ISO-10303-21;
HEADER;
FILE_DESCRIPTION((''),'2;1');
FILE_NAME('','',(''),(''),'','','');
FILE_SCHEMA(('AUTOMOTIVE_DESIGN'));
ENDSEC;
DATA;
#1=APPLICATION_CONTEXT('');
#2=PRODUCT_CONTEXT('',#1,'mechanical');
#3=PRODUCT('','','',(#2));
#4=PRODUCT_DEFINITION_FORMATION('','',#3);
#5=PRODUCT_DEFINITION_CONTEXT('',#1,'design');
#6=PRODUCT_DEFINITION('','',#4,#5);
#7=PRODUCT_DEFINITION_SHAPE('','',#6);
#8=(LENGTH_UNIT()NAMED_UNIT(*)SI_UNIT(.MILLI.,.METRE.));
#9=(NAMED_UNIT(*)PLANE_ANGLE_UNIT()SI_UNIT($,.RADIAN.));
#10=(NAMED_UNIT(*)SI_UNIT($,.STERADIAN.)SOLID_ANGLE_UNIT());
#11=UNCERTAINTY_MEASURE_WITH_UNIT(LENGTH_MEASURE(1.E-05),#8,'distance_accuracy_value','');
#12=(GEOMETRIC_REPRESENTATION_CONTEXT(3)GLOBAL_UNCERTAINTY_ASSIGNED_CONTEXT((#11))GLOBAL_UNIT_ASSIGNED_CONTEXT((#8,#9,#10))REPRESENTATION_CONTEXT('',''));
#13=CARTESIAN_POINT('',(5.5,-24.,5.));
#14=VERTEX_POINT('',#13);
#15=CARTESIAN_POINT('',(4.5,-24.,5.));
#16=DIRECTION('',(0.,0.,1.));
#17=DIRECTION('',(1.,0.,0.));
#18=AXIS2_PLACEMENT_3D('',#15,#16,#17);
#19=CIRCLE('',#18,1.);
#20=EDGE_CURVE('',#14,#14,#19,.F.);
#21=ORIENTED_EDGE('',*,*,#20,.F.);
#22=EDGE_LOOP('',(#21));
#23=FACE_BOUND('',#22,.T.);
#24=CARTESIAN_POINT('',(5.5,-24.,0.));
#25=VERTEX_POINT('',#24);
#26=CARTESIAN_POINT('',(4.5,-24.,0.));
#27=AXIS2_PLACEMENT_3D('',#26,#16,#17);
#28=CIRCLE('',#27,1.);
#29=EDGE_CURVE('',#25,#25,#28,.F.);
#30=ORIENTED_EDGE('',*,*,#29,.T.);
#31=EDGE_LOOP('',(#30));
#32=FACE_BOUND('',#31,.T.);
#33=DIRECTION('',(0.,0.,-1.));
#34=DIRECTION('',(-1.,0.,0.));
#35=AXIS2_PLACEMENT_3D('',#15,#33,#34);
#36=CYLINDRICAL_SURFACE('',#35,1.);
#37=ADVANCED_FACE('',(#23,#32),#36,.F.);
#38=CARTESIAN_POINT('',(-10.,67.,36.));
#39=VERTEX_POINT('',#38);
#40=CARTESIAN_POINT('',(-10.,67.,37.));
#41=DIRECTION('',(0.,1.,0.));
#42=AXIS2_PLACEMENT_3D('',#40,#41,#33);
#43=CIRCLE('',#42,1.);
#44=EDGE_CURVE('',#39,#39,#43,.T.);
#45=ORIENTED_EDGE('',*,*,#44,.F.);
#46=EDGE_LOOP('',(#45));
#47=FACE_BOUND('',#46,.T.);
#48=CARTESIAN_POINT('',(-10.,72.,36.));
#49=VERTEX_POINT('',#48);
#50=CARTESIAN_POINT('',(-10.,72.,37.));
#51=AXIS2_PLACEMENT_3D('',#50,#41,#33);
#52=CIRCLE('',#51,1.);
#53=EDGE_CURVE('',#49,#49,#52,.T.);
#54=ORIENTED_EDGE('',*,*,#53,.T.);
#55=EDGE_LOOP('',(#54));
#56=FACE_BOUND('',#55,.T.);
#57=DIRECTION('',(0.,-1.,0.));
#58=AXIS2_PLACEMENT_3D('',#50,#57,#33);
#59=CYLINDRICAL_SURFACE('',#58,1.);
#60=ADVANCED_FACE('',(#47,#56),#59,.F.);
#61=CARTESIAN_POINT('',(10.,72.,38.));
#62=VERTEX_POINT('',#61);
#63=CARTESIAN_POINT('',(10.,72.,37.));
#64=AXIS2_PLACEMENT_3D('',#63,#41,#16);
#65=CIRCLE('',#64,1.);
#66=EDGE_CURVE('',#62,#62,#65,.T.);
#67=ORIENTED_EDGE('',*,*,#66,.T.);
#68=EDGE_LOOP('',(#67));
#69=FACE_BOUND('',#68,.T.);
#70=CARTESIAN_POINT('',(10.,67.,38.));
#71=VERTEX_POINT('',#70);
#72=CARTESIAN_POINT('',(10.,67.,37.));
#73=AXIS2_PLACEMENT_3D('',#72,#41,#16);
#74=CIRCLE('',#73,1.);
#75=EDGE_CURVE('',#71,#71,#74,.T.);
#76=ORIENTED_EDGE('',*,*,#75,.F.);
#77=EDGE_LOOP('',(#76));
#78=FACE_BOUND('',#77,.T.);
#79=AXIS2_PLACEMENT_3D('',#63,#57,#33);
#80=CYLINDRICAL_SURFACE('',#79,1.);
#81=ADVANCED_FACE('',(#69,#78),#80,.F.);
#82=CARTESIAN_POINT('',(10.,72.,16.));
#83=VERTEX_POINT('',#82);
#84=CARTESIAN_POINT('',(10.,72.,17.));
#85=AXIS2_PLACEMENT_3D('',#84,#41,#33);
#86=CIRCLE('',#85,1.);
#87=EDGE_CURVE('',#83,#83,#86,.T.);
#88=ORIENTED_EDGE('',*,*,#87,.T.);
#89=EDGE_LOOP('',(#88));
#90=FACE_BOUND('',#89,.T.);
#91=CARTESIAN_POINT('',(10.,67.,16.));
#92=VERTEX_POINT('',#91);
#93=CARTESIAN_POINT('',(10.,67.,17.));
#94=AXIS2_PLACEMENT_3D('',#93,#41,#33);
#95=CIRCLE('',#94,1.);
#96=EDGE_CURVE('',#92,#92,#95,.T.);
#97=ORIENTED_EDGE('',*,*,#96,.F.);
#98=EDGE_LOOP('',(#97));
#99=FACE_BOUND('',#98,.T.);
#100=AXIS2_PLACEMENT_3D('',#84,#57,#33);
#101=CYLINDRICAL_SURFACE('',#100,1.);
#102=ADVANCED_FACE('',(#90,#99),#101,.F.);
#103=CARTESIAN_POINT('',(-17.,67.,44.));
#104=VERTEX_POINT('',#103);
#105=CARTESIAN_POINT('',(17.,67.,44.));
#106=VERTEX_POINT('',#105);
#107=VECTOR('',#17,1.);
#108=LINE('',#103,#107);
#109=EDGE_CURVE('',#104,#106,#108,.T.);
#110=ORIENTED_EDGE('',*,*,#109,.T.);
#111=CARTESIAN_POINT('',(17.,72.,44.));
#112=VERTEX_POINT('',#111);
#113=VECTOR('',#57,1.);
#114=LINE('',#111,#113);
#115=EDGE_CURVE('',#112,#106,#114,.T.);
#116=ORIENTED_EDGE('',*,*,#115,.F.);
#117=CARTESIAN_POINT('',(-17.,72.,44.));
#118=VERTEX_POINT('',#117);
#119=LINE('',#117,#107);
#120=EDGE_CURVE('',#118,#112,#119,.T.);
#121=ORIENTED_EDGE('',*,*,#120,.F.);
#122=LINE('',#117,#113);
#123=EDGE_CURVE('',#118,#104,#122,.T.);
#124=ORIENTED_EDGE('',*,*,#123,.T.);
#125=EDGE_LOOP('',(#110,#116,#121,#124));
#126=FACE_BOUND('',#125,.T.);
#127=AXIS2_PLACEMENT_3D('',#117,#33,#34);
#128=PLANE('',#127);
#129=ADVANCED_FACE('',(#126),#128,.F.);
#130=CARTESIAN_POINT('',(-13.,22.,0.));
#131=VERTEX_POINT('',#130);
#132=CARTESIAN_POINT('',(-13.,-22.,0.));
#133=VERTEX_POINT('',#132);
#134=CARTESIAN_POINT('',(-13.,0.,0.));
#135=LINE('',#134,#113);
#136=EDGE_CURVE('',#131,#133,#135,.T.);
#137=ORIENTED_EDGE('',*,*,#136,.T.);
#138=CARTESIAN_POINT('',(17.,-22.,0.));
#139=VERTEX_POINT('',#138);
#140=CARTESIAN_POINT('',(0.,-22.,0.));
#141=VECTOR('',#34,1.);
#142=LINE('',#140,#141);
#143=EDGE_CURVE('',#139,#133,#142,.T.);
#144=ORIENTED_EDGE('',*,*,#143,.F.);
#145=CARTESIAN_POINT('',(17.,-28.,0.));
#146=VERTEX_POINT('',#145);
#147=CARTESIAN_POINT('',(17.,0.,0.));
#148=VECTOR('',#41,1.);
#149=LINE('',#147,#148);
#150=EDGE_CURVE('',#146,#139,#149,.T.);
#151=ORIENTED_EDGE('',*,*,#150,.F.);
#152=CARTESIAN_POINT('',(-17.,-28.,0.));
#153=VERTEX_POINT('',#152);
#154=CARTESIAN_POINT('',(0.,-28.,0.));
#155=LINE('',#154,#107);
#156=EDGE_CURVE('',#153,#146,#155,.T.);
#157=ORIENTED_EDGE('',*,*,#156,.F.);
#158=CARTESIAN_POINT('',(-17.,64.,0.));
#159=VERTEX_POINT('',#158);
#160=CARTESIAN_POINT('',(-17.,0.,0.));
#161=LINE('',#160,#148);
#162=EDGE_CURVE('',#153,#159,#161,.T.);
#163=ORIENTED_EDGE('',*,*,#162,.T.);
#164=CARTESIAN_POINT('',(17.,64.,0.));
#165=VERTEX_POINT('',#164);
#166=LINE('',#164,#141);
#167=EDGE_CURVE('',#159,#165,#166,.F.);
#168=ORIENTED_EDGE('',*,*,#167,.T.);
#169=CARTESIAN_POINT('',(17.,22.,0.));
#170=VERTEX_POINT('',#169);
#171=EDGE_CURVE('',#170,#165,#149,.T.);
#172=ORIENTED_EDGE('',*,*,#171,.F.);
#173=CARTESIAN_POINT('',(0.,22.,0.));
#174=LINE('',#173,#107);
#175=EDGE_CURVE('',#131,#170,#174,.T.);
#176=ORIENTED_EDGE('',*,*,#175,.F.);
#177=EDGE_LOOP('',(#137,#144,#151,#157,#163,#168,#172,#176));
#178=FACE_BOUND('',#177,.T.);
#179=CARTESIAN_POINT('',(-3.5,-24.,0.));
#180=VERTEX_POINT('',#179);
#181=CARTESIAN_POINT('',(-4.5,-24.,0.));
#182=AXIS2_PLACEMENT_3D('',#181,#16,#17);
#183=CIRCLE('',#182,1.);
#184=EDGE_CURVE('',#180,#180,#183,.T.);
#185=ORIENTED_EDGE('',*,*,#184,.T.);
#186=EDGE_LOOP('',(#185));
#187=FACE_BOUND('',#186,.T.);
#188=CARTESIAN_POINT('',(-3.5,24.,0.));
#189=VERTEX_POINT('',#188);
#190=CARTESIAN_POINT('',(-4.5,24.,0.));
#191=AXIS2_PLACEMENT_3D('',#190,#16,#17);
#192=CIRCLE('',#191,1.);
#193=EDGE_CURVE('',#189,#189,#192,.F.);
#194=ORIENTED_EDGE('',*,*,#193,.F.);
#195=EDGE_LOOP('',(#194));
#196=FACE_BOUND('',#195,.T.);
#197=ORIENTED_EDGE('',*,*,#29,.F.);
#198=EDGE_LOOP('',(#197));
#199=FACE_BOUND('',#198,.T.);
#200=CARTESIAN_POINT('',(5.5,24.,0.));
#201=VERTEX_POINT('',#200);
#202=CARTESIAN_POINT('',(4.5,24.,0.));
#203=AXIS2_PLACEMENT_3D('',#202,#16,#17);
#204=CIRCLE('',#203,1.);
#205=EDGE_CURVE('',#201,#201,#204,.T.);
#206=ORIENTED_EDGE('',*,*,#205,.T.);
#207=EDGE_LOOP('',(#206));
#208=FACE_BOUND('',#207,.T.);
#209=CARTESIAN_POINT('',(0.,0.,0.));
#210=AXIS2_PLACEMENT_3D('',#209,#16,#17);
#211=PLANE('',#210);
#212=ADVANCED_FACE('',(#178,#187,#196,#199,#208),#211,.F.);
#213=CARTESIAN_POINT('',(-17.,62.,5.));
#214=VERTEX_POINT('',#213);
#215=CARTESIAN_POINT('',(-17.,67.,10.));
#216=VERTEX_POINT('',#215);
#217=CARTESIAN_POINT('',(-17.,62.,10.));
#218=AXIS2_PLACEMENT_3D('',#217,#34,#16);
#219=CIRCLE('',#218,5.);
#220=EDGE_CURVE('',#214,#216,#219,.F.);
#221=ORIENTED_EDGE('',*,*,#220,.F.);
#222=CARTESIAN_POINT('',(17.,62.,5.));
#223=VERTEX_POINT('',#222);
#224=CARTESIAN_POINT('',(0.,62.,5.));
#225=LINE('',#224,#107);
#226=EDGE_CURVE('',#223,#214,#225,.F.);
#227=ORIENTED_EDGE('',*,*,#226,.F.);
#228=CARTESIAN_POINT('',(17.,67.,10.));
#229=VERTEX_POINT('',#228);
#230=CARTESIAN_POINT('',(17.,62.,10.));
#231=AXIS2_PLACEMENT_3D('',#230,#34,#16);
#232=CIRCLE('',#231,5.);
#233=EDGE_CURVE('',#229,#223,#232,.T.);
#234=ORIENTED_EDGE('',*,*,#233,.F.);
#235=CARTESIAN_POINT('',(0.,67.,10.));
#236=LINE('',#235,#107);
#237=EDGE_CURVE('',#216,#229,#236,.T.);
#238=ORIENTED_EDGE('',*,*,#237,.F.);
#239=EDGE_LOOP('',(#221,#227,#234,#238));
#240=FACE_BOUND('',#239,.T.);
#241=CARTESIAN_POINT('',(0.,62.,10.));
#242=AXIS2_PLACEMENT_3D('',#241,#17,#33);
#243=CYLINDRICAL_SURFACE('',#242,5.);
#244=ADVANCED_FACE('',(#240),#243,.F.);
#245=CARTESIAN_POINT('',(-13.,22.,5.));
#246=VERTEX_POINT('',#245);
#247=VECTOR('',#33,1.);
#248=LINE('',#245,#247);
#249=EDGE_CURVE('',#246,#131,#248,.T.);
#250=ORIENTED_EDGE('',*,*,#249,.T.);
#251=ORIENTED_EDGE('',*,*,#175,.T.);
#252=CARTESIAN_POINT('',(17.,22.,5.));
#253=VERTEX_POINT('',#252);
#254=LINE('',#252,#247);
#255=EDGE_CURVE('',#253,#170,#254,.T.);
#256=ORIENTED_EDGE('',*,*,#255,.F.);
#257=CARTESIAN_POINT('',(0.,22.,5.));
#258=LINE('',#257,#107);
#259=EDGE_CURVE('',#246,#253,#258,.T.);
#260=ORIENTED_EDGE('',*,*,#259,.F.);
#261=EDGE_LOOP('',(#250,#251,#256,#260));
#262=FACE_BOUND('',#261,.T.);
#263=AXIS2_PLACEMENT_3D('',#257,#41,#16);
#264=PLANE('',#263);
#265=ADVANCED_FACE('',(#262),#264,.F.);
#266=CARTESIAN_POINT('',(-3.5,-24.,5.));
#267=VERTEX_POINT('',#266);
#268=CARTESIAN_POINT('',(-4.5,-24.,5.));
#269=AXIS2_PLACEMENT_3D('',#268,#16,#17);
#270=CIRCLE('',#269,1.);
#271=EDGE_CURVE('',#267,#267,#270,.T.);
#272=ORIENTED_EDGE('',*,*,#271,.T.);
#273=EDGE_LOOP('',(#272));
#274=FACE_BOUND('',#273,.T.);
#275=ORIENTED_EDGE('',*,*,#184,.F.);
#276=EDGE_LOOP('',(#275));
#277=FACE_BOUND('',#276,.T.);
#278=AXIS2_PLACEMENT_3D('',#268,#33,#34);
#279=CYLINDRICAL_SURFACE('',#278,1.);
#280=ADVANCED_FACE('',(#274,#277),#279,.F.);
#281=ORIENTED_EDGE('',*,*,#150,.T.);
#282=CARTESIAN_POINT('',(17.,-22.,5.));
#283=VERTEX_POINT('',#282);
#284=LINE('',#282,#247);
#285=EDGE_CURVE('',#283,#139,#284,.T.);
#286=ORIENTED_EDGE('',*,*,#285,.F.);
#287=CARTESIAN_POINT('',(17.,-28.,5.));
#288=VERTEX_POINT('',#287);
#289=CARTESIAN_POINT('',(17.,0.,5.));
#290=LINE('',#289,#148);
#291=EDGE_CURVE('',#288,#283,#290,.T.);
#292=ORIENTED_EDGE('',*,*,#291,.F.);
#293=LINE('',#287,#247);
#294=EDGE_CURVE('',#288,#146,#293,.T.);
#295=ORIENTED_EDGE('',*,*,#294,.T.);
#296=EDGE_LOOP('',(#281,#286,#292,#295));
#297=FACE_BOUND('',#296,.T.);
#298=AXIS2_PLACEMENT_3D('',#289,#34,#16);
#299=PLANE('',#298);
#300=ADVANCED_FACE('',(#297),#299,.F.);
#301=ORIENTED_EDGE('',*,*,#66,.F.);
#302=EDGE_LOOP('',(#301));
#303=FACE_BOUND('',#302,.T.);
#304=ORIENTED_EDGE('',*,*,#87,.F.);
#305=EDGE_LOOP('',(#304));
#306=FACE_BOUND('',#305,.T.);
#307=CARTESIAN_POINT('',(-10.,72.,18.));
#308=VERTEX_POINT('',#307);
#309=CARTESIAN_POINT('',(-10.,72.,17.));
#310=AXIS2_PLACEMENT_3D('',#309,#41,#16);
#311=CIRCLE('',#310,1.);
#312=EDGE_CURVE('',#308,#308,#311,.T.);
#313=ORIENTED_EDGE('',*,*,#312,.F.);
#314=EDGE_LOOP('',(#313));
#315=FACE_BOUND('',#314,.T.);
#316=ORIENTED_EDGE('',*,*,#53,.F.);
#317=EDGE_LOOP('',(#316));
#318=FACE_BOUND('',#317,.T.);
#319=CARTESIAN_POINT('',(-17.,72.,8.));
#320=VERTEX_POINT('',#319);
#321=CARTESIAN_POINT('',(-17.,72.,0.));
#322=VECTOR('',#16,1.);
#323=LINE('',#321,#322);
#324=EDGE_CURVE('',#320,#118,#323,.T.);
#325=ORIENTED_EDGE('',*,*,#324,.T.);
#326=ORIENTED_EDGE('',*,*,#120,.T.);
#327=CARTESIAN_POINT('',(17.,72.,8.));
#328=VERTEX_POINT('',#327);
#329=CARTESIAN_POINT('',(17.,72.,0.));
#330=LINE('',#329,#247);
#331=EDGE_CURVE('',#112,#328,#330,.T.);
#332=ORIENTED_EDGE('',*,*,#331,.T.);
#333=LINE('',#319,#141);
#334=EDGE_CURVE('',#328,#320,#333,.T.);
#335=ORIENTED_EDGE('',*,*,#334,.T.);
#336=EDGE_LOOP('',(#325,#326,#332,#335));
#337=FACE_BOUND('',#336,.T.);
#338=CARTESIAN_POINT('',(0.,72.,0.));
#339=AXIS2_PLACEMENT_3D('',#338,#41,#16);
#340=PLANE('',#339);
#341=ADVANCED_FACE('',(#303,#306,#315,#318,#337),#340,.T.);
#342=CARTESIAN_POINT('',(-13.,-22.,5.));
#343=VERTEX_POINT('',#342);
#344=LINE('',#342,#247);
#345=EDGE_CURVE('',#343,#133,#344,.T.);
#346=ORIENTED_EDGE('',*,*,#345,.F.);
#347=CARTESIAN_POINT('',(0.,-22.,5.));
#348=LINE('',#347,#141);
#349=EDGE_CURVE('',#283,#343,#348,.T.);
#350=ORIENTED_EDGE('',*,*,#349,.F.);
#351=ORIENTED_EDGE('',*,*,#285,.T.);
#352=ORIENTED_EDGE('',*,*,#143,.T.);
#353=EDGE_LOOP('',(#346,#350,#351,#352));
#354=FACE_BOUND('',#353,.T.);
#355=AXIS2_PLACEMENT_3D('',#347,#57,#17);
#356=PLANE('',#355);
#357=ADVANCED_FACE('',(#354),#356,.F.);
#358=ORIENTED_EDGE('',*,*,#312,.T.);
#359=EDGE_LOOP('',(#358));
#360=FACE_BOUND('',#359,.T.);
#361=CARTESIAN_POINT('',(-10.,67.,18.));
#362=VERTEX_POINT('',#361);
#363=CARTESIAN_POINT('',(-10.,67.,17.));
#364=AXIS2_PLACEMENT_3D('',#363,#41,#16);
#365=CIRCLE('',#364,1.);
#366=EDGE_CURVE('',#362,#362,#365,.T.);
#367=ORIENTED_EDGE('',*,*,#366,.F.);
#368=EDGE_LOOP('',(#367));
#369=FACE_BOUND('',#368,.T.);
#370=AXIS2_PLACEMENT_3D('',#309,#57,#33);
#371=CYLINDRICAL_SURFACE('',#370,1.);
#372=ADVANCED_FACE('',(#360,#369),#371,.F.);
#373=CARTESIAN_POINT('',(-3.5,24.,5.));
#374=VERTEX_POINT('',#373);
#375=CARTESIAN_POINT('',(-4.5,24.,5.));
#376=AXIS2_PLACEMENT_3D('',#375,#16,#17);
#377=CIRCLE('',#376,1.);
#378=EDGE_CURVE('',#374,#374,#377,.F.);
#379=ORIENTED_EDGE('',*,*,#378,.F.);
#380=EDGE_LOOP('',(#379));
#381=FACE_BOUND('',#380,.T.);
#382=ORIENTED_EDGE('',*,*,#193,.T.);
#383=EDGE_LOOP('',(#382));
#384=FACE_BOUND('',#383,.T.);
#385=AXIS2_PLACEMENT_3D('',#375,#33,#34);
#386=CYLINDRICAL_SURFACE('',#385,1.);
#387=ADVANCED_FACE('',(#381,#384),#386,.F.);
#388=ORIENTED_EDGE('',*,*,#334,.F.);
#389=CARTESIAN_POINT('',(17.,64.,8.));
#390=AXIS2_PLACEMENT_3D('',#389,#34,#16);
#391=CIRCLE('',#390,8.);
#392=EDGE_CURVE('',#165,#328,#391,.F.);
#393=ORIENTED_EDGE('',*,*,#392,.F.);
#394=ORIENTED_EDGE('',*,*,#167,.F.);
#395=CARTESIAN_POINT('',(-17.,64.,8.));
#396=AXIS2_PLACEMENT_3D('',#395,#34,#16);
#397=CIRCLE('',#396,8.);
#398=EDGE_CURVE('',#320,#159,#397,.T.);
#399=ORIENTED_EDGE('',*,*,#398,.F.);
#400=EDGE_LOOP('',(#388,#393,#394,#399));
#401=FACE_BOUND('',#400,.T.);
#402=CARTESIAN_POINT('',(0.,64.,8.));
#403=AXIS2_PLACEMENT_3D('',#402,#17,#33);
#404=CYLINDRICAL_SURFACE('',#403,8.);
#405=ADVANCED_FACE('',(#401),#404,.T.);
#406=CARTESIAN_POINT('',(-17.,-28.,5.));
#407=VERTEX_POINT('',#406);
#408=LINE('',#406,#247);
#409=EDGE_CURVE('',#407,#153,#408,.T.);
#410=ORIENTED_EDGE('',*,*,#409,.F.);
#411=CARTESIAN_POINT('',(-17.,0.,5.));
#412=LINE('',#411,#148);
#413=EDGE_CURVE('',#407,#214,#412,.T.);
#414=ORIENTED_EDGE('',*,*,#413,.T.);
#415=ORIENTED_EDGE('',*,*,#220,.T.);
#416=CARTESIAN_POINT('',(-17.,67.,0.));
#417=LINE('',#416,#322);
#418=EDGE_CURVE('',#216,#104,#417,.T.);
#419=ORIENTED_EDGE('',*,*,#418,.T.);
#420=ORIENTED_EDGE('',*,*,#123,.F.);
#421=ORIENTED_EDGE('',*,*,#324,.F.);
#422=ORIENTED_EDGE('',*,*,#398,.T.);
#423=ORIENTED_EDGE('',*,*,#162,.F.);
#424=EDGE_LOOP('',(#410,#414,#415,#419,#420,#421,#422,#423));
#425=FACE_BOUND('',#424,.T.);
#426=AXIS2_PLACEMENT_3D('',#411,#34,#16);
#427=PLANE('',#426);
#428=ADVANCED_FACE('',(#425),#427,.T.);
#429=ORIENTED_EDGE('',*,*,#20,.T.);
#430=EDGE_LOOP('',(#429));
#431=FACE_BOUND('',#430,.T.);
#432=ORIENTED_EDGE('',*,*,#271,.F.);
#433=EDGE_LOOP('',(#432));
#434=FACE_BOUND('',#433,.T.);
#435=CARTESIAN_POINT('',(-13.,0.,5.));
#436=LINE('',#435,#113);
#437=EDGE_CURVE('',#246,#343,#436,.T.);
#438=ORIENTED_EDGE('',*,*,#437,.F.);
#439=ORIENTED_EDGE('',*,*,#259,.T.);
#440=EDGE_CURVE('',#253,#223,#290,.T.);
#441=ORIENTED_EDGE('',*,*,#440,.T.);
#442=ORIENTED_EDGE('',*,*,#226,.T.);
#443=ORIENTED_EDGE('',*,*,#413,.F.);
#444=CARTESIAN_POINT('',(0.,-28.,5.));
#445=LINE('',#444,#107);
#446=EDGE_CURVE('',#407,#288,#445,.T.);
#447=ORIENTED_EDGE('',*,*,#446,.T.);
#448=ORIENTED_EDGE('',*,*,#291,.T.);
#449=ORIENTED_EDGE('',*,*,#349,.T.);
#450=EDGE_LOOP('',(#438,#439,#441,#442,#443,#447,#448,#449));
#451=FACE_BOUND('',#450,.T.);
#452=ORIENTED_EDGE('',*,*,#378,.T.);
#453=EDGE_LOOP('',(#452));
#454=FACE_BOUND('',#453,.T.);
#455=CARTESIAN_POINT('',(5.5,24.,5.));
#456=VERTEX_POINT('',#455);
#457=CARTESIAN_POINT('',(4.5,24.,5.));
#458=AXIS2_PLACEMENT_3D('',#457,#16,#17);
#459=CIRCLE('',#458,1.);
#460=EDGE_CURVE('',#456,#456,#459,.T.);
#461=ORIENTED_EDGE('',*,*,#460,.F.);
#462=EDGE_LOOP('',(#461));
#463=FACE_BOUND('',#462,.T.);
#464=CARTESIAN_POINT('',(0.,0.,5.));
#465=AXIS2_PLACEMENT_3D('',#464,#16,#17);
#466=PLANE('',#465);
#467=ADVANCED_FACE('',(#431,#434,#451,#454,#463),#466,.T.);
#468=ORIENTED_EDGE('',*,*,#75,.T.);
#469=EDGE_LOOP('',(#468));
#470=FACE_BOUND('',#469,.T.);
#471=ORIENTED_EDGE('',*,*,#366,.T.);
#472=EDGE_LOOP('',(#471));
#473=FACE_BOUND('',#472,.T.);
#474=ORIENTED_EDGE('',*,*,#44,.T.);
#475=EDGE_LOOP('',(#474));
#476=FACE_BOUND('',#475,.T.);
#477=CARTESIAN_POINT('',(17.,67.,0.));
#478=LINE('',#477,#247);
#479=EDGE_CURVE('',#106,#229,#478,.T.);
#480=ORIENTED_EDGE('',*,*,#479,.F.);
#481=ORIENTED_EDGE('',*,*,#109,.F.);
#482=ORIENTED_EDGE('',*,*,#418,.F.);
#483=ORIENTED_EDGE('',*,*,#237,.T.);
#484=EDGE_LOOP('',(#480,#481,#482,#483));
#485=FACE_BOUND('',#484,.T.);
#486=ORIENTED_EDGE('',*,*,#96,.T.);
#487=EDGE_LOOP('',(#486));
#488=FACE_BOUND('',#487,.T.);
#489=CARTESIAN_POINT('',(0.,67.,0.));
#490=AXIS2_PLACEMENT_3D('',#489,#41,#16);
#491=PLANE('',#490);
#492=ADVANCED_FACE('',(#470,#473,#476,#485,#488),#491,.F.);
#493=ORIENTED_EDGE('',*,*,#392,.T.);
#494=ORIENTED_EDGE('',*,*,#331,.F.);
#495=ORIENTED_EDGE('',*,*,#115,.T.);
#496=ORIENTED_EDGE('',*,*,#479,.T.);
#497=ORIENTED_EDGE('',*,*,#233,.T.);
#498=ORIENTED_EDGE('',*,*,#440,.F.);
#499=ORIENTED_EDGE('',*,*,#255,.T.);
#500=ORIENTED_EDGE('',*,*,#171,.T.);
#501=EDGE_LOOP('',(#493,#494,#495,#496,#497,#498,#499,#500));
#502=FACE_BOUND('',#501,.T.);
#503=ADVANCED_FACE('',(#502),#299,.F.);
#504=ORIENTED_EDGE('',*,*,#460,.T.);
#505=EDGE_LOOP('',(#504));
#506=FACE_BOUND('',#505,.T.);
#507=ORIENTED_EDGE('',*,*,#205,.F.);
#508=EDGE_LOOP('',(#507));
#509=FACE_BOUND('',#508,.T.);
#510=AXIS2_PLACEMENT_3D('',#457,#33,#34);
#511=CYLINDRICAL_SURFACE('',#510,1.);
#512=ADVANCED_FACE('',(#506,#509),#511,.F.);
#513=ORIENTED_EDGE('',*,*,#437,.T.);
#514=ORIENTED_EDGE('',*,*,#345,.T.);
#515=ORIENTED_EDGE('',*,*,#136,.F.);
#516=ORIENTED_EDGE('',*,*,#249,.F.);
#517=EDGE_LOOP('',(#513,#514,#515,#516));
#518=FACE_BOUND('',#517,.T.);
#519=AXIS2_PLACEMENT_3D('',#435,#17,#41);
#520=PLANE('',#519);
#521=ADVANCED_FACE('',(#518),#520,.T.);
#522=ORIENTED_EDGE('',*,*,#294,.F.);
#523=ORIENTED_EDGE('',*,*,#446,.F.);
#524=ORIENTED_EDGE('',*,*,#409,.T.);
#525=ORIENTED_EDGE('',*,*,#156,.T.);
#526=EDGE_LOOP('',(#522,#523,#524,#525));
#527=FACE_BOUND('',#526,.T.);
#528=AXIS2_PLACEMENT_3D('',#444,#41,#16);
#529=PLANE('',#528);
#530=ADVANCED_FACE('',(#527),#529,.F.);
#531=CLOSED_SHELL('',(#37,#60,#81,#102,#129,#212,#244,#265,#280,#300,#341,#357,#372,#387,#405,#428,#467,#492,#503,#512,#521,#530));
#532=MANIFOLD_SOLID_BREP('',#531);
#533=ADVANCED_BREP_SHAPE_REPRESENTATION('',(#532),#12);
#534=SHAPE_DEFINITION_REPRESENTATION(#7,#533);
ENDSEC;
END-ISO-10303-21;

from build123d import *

# Parameters (mm, degrees)
SKETCH1_R           = 1
BOSS_EXTRUDE1_DEPTH = 5
SKETCH2_W           = 34
SKETCH2_H           = 44
SKETCH2_R           = 1
BOSS_EXTRUDE2_DEPTH = 5
FILLET1_R           = 8
FILLET3_R           = 5


with BuildPart() as part:
    # Sketch1 → Boss-Extrude1 (new body)
    with BuildSketch(Plane.XY):
        Polygon((-17, 67), (-17, -28), (17, -28), (17, -22), (13, -22), (-13, -22), (-13, -21.411764706), (-13, 22), (13, 22), (17, 22), (17, 67), align=None)
        with Locations((-4.5, -24)):
            Circle(SKETCH1_R, mode=Mode.SUBTRACT)
        with Locations((4.5, -24)):
            Circle(SKETCH1_R, mode=Mode.SUBTRACT)
        with Locations((-4.5, 24)):
            Circle(SKETCH1_R, mode=Mode.SUBTRACT)
        with Locations((4.5, 24)):
            Circle(SKETCH1_R, mode=Mode.SUBTRACT)
    extrude(amount=BOSS_EXTRUDE1_DEPTH)

    # Sketch2 → Boss-Extrude2 (add)
    with BuildSketch(Plane(origin=(0, 67, 0), x_dir=(1, 0, 0), z_dir=(0, 1, 0))):
        with Locations((0, -22)):
            Rectangle(SKETCH2_W, SKETCH2_H)
        with Locations((-10, -17)):
            Circle(SKETCH2_R, mode=Mode.SUBTRACT)
        with Locations((10, -17)):
            Circle(SKETCH2_R, mode=Mode.SUBTRACT)
        with Locations((10, -37)):
            Circle(SKETCH2_R, mode=Mode.SUBTRACT)
        with Locations((-10, -37)):
            Circle(SKETCH2_R, mode=Mode.SUBTRACT)
    extrude(amount=BOSS_EXTRUDE2_DEPTH)

    # Fillet1
    fillet1_edges = [part.edges().sort_by_distance(p)[0] for p in [
        (0, 72, 0),
    ]]
    fillet(fillet1_edges, radius=FILLET1_R)

    # Fillet3
    fillet3_edges = [part.edges().sort_by_distance(p)[0] for p in [
        (0, 67, 5),
    ]]
    fillet(fillet3_edges, radius=FILLET3_R)


solid = part.part
